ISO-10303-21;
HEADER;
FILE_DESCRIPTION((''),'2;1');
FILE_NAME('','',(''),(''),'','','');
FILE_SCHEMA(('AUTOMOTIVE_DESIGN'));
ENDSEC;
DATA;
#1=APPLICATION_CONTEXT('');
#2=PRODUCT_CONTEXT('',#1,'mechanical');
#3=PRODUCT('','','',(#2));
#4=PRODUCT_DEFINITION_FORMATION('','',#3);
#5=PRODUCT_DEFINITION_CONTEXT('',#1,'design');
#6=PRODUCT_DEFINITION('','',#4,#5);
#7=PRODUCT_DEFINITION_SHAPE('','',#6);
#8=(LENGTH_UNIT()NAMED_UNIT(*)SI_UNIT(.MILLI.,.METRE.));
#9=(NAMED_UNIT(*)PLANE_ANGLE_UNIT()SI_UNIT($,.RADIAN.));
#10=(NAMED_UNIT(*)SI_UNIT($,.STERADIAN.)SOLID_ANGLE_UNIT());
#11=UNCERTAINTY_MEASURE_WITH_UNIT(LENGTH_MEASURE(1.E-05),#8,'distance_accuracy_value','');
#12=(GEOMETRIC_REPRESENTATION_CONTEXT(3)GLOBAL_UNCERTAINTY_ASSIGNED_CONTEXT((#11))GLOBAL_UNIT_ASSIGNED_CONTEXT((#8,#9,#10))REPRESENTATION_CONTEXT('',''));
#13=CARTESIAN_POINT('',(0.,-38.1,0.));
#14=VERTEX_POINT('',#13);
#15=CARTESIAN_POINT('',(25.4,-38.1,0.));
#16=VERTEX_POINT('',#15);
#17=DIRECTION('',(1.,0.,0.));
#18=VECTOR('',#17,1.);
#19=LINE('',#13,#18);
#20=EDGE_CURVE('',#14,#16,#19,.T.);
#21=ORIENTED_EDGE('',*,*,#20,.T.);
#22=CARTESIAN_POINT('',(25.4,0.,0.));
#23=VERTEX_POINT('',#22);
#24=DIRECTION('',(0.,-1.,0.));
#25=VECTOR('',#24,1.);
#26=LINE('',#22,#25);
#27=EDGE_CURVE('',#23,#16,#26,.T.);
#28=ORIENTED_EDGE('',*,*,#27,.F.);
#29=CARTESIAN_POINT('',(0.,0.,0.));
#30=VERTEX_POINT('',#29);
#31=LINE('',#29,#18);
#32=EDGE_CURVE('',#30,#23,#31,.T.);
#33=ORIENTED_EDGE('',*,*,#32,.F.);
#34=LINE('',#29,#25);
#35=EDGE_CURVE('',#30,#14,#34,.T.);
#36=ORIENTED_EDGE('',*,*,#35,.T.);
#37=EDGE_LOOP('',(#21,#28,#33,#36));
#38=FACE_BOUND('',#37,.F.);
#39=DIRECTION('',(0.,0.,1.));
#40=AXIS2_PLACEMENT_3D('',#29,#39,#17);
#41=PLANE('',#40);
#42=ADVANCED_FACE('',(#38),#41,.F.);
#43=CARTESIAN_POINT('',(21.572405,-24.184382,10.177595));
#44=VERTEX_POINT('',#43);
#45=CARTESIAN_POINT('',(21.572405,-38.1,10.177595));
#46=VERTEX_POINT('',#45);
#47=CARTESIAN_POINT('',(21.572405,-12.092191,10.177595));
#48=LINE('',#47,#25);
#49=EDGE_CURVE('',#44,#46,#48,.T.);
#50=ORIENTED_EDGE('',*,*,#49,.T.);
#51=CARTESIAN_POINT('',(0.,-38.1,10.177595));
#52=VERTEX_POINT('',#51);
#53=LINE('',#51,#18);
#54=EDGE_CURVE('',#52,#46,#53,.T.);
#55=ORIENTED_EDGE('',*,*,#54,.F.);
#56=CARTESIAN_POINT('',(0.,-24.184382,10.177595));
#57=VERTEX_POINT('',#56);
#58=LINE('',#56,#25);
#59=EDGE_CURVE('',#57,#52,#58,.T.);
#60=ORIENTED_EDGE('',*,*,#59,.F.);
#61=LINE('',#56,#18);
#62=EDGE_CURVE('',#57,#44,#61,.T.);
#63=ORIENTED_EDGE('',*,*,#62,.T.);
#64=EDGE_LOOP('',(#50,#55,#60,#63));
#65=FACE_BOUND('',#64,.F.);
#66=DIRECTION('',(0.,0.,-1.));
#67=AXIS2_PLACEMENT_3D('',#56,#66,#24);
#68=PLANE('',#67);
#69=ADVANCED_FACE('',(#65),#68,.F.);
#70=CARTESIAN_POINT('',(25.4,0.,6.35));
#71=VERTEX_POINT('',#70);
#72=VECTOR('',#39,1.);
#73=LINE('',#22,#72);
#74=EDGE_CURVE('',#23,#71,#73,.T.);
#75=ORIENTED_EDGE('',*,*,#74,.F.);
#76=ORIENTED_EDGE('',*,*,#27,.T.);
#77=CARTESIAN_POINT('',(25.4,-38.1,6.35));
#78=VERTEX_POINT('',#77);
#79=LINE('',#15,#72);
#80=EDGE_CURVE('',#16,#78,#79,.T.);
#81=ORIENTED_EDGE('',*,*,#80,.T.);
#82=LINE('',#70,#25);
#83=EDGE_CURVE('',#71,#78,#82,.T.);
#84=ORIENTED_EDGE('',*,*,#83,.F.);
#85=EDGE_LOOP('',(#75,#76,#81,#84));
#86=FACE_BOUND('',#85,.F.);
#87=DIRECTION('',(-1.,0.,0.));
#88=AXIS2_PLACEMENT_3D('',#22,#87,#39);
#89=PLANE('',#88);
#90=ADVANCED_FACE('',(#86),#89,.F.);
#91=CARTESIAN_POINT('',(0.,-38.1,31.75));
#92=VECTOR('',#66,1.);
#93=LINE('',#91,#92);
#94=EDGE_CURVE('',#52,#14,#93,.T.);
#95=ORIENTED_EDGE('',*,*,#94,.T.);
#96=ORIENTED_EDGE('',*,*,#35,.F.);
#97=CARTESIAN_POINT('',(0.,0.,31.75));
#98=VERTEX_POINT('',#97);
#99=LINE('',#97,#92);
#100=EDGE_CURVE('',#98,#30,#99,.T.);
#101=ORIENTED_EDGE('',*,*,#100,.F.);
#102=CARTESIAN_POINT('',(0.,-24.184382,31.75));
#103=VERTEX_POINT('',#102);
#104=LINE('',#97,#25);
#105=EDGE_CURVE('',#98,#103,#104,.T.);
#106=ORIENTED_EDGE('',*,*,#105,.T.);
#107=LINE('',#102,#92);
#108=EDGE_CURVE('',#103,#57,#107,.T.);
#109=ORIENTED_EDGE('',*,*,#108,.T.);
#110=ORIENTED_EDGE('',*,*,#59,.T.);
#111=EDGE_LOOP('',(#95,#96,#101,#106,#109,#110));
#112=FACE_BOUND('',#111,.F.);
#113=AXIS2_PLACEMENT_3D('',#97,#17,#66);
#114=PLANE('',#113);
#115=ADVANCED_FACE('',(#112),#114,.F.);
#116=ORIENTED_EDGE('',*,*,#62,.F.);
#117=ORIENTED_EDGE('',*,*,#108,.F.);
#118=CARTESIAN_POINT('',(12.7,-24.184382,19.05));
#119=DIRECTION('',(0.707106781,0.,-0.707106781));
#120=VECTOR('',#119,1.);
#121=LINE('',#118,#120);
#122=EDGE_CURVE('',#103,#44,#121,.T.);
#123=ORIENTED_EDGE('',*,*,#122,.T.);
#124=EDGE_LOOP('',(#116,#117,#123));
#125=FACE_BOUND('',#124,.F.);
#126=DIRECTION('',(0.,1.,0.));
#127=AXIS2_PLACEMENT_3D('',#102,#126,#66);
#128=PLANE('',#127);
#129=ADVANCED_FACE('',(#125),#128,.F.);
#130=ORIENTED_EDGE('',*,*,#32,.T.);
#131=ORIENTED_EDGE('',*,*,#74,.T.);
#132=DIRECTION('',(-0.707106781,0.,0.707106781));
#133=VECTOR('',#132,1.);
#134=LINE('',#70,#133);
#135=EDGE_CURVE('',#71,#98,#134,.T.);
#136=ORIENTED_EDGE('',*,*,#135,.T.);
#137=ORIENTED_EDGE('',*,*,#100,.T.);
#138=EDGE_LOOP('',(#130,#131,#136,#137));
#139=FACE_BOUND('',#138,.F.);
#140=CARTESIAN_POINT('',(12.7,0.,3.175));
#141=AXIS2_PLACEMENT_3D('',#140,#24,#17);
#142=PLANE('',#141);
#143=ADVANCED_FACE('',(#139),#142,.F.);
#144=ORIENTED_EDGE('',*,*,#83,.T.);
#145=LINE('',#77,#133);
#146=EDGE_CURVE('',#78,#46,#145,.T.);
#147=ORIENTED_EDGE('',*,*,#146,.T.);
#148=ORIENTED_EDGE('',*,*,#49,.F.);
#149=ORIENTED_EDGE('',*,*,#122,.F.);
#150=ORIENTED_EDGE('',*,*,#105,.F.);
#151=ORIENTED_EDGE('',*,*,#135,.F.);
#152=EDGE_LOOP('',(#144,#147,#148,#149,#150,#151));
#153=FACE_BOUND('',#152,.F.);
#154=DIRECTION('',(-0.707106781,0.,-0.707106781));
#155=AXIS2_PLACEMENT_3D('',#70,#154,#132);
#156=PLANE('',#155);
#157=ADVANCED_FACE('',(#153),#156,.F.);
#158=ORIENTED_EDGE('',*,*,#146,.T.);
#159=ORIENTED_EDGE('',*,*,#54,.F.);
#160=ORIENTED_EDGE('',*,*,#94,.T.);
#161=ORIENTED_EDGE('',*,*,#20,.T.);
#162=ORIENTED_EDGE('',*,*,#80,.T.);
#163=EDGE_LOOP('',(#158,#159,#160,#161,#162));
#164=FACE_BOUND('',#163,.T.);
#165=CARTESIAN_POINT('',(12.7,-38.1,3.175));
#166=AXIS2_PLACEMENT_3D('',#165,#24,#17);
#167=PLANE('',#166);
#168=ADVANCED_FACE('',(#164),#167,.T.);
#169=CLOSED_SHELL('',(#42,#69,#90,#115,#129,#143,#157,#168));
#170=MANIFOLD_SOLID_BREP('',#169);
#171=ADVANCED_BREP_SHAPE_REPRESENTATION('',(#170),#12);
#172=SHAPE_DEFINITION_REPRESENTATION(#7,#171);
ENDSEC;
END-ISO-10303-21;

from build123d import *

# Parameters (mm, degrees)
F1_DEPTH = 38.1
F3_DEPTH = 25.4


with BuildPart() as f1:
    # F0 (on Front) → F1 (new body)
    with BuildSketch(Plane.XZ):
        Polygon((0, 6.35), (0, 0), (25.4, 0), (25.4, 6.35), (19.05, 6.35), align=None)
        Polygon((0, 25.4), (0, 6.35), (19.05, 6.35), (19.05, 12.7), (6.35, 25.4), align=None)
        Polygon((19.05, 6.35), (25.4, 6.35), (19.05, 12.7), align=None)
        Polygon((0, 31.75), (0, 25.4), (6.35, 25.4), align=None)
    extrude(amount=F1_DEPTH)

    # F2 (on face) → F3 (cut)
    with BuildSketch(Plane(origin=(0, 0, 0), x_dir=(0, -1, 0), z_dir=(-1, 0, 0))):
        Polygon((38.1, 31.75), (24.184382, 31.75), (24.184382, 23.479005), (24.184382, 15.820617), (24.184382, 10.177595), (38.1, 10.177595), align=None)
    extrude(amount=-F3_DEPTH, mode=Mode.SUBTRACT)


solid = f1.part
